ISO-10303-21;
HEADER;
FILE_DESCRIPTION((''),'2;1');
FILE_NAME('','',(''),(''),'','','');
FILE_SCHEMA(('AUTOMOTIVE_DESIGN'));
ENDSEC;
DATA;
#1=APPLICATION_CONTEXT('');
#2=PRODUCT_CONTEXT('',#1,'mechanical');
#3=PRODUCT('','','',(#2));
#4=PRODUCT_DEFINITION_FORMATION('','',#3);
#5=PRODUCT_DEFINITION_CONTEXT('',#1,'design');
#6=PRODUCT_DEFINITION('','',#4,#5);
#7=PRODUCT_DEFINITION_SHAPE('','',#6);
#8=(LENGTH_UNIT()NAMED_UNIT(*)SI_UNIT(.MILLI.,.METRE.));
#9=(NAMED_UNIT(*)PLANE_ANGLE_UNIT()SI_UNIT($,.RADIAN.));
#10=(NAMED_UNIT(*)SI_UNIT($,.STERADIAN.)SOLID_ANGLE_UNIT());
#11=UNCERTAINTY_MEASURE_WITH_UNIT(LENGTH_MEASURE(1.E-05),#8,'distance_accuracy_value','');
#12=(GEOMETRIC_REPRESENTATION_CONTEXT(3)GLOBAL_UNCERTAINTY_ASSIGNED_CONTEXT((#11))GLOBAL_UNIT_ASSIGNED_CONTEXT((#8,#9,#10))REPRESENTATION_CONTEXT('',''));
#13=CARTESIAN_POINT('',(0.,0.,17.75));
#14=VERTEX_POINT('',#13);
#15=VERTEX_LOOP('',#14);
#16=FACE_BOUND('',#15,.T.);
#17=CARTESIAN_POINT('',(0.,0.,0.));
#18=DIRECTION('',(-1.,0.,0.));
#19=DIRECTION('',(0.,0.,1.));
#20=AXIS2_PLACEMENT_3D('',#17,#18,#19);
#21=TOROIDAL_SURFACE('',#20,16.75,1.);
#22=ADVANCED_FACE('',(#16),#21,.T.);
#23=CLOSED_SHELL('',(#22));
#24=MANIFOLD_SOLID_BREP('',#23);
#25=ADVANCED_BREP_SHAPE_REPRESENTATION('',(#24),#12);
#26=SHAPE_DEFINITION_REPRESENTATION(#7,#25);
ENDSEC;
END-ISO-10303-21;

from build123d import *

# Parameters (mm, degrees)
ESQUISSE1_R = 1


with BuildPart() as part:
    # Esquisse1 → Révolution1 (revolve)
    with BuildSketch(Plane.XY):
        with Locations((0, 16.75)):
            Circle(ESQUISSE1_R)
    revolve(axis=Axis((-46.375819672, 0, 0), (1, 0, 0)))


solid = part.part
